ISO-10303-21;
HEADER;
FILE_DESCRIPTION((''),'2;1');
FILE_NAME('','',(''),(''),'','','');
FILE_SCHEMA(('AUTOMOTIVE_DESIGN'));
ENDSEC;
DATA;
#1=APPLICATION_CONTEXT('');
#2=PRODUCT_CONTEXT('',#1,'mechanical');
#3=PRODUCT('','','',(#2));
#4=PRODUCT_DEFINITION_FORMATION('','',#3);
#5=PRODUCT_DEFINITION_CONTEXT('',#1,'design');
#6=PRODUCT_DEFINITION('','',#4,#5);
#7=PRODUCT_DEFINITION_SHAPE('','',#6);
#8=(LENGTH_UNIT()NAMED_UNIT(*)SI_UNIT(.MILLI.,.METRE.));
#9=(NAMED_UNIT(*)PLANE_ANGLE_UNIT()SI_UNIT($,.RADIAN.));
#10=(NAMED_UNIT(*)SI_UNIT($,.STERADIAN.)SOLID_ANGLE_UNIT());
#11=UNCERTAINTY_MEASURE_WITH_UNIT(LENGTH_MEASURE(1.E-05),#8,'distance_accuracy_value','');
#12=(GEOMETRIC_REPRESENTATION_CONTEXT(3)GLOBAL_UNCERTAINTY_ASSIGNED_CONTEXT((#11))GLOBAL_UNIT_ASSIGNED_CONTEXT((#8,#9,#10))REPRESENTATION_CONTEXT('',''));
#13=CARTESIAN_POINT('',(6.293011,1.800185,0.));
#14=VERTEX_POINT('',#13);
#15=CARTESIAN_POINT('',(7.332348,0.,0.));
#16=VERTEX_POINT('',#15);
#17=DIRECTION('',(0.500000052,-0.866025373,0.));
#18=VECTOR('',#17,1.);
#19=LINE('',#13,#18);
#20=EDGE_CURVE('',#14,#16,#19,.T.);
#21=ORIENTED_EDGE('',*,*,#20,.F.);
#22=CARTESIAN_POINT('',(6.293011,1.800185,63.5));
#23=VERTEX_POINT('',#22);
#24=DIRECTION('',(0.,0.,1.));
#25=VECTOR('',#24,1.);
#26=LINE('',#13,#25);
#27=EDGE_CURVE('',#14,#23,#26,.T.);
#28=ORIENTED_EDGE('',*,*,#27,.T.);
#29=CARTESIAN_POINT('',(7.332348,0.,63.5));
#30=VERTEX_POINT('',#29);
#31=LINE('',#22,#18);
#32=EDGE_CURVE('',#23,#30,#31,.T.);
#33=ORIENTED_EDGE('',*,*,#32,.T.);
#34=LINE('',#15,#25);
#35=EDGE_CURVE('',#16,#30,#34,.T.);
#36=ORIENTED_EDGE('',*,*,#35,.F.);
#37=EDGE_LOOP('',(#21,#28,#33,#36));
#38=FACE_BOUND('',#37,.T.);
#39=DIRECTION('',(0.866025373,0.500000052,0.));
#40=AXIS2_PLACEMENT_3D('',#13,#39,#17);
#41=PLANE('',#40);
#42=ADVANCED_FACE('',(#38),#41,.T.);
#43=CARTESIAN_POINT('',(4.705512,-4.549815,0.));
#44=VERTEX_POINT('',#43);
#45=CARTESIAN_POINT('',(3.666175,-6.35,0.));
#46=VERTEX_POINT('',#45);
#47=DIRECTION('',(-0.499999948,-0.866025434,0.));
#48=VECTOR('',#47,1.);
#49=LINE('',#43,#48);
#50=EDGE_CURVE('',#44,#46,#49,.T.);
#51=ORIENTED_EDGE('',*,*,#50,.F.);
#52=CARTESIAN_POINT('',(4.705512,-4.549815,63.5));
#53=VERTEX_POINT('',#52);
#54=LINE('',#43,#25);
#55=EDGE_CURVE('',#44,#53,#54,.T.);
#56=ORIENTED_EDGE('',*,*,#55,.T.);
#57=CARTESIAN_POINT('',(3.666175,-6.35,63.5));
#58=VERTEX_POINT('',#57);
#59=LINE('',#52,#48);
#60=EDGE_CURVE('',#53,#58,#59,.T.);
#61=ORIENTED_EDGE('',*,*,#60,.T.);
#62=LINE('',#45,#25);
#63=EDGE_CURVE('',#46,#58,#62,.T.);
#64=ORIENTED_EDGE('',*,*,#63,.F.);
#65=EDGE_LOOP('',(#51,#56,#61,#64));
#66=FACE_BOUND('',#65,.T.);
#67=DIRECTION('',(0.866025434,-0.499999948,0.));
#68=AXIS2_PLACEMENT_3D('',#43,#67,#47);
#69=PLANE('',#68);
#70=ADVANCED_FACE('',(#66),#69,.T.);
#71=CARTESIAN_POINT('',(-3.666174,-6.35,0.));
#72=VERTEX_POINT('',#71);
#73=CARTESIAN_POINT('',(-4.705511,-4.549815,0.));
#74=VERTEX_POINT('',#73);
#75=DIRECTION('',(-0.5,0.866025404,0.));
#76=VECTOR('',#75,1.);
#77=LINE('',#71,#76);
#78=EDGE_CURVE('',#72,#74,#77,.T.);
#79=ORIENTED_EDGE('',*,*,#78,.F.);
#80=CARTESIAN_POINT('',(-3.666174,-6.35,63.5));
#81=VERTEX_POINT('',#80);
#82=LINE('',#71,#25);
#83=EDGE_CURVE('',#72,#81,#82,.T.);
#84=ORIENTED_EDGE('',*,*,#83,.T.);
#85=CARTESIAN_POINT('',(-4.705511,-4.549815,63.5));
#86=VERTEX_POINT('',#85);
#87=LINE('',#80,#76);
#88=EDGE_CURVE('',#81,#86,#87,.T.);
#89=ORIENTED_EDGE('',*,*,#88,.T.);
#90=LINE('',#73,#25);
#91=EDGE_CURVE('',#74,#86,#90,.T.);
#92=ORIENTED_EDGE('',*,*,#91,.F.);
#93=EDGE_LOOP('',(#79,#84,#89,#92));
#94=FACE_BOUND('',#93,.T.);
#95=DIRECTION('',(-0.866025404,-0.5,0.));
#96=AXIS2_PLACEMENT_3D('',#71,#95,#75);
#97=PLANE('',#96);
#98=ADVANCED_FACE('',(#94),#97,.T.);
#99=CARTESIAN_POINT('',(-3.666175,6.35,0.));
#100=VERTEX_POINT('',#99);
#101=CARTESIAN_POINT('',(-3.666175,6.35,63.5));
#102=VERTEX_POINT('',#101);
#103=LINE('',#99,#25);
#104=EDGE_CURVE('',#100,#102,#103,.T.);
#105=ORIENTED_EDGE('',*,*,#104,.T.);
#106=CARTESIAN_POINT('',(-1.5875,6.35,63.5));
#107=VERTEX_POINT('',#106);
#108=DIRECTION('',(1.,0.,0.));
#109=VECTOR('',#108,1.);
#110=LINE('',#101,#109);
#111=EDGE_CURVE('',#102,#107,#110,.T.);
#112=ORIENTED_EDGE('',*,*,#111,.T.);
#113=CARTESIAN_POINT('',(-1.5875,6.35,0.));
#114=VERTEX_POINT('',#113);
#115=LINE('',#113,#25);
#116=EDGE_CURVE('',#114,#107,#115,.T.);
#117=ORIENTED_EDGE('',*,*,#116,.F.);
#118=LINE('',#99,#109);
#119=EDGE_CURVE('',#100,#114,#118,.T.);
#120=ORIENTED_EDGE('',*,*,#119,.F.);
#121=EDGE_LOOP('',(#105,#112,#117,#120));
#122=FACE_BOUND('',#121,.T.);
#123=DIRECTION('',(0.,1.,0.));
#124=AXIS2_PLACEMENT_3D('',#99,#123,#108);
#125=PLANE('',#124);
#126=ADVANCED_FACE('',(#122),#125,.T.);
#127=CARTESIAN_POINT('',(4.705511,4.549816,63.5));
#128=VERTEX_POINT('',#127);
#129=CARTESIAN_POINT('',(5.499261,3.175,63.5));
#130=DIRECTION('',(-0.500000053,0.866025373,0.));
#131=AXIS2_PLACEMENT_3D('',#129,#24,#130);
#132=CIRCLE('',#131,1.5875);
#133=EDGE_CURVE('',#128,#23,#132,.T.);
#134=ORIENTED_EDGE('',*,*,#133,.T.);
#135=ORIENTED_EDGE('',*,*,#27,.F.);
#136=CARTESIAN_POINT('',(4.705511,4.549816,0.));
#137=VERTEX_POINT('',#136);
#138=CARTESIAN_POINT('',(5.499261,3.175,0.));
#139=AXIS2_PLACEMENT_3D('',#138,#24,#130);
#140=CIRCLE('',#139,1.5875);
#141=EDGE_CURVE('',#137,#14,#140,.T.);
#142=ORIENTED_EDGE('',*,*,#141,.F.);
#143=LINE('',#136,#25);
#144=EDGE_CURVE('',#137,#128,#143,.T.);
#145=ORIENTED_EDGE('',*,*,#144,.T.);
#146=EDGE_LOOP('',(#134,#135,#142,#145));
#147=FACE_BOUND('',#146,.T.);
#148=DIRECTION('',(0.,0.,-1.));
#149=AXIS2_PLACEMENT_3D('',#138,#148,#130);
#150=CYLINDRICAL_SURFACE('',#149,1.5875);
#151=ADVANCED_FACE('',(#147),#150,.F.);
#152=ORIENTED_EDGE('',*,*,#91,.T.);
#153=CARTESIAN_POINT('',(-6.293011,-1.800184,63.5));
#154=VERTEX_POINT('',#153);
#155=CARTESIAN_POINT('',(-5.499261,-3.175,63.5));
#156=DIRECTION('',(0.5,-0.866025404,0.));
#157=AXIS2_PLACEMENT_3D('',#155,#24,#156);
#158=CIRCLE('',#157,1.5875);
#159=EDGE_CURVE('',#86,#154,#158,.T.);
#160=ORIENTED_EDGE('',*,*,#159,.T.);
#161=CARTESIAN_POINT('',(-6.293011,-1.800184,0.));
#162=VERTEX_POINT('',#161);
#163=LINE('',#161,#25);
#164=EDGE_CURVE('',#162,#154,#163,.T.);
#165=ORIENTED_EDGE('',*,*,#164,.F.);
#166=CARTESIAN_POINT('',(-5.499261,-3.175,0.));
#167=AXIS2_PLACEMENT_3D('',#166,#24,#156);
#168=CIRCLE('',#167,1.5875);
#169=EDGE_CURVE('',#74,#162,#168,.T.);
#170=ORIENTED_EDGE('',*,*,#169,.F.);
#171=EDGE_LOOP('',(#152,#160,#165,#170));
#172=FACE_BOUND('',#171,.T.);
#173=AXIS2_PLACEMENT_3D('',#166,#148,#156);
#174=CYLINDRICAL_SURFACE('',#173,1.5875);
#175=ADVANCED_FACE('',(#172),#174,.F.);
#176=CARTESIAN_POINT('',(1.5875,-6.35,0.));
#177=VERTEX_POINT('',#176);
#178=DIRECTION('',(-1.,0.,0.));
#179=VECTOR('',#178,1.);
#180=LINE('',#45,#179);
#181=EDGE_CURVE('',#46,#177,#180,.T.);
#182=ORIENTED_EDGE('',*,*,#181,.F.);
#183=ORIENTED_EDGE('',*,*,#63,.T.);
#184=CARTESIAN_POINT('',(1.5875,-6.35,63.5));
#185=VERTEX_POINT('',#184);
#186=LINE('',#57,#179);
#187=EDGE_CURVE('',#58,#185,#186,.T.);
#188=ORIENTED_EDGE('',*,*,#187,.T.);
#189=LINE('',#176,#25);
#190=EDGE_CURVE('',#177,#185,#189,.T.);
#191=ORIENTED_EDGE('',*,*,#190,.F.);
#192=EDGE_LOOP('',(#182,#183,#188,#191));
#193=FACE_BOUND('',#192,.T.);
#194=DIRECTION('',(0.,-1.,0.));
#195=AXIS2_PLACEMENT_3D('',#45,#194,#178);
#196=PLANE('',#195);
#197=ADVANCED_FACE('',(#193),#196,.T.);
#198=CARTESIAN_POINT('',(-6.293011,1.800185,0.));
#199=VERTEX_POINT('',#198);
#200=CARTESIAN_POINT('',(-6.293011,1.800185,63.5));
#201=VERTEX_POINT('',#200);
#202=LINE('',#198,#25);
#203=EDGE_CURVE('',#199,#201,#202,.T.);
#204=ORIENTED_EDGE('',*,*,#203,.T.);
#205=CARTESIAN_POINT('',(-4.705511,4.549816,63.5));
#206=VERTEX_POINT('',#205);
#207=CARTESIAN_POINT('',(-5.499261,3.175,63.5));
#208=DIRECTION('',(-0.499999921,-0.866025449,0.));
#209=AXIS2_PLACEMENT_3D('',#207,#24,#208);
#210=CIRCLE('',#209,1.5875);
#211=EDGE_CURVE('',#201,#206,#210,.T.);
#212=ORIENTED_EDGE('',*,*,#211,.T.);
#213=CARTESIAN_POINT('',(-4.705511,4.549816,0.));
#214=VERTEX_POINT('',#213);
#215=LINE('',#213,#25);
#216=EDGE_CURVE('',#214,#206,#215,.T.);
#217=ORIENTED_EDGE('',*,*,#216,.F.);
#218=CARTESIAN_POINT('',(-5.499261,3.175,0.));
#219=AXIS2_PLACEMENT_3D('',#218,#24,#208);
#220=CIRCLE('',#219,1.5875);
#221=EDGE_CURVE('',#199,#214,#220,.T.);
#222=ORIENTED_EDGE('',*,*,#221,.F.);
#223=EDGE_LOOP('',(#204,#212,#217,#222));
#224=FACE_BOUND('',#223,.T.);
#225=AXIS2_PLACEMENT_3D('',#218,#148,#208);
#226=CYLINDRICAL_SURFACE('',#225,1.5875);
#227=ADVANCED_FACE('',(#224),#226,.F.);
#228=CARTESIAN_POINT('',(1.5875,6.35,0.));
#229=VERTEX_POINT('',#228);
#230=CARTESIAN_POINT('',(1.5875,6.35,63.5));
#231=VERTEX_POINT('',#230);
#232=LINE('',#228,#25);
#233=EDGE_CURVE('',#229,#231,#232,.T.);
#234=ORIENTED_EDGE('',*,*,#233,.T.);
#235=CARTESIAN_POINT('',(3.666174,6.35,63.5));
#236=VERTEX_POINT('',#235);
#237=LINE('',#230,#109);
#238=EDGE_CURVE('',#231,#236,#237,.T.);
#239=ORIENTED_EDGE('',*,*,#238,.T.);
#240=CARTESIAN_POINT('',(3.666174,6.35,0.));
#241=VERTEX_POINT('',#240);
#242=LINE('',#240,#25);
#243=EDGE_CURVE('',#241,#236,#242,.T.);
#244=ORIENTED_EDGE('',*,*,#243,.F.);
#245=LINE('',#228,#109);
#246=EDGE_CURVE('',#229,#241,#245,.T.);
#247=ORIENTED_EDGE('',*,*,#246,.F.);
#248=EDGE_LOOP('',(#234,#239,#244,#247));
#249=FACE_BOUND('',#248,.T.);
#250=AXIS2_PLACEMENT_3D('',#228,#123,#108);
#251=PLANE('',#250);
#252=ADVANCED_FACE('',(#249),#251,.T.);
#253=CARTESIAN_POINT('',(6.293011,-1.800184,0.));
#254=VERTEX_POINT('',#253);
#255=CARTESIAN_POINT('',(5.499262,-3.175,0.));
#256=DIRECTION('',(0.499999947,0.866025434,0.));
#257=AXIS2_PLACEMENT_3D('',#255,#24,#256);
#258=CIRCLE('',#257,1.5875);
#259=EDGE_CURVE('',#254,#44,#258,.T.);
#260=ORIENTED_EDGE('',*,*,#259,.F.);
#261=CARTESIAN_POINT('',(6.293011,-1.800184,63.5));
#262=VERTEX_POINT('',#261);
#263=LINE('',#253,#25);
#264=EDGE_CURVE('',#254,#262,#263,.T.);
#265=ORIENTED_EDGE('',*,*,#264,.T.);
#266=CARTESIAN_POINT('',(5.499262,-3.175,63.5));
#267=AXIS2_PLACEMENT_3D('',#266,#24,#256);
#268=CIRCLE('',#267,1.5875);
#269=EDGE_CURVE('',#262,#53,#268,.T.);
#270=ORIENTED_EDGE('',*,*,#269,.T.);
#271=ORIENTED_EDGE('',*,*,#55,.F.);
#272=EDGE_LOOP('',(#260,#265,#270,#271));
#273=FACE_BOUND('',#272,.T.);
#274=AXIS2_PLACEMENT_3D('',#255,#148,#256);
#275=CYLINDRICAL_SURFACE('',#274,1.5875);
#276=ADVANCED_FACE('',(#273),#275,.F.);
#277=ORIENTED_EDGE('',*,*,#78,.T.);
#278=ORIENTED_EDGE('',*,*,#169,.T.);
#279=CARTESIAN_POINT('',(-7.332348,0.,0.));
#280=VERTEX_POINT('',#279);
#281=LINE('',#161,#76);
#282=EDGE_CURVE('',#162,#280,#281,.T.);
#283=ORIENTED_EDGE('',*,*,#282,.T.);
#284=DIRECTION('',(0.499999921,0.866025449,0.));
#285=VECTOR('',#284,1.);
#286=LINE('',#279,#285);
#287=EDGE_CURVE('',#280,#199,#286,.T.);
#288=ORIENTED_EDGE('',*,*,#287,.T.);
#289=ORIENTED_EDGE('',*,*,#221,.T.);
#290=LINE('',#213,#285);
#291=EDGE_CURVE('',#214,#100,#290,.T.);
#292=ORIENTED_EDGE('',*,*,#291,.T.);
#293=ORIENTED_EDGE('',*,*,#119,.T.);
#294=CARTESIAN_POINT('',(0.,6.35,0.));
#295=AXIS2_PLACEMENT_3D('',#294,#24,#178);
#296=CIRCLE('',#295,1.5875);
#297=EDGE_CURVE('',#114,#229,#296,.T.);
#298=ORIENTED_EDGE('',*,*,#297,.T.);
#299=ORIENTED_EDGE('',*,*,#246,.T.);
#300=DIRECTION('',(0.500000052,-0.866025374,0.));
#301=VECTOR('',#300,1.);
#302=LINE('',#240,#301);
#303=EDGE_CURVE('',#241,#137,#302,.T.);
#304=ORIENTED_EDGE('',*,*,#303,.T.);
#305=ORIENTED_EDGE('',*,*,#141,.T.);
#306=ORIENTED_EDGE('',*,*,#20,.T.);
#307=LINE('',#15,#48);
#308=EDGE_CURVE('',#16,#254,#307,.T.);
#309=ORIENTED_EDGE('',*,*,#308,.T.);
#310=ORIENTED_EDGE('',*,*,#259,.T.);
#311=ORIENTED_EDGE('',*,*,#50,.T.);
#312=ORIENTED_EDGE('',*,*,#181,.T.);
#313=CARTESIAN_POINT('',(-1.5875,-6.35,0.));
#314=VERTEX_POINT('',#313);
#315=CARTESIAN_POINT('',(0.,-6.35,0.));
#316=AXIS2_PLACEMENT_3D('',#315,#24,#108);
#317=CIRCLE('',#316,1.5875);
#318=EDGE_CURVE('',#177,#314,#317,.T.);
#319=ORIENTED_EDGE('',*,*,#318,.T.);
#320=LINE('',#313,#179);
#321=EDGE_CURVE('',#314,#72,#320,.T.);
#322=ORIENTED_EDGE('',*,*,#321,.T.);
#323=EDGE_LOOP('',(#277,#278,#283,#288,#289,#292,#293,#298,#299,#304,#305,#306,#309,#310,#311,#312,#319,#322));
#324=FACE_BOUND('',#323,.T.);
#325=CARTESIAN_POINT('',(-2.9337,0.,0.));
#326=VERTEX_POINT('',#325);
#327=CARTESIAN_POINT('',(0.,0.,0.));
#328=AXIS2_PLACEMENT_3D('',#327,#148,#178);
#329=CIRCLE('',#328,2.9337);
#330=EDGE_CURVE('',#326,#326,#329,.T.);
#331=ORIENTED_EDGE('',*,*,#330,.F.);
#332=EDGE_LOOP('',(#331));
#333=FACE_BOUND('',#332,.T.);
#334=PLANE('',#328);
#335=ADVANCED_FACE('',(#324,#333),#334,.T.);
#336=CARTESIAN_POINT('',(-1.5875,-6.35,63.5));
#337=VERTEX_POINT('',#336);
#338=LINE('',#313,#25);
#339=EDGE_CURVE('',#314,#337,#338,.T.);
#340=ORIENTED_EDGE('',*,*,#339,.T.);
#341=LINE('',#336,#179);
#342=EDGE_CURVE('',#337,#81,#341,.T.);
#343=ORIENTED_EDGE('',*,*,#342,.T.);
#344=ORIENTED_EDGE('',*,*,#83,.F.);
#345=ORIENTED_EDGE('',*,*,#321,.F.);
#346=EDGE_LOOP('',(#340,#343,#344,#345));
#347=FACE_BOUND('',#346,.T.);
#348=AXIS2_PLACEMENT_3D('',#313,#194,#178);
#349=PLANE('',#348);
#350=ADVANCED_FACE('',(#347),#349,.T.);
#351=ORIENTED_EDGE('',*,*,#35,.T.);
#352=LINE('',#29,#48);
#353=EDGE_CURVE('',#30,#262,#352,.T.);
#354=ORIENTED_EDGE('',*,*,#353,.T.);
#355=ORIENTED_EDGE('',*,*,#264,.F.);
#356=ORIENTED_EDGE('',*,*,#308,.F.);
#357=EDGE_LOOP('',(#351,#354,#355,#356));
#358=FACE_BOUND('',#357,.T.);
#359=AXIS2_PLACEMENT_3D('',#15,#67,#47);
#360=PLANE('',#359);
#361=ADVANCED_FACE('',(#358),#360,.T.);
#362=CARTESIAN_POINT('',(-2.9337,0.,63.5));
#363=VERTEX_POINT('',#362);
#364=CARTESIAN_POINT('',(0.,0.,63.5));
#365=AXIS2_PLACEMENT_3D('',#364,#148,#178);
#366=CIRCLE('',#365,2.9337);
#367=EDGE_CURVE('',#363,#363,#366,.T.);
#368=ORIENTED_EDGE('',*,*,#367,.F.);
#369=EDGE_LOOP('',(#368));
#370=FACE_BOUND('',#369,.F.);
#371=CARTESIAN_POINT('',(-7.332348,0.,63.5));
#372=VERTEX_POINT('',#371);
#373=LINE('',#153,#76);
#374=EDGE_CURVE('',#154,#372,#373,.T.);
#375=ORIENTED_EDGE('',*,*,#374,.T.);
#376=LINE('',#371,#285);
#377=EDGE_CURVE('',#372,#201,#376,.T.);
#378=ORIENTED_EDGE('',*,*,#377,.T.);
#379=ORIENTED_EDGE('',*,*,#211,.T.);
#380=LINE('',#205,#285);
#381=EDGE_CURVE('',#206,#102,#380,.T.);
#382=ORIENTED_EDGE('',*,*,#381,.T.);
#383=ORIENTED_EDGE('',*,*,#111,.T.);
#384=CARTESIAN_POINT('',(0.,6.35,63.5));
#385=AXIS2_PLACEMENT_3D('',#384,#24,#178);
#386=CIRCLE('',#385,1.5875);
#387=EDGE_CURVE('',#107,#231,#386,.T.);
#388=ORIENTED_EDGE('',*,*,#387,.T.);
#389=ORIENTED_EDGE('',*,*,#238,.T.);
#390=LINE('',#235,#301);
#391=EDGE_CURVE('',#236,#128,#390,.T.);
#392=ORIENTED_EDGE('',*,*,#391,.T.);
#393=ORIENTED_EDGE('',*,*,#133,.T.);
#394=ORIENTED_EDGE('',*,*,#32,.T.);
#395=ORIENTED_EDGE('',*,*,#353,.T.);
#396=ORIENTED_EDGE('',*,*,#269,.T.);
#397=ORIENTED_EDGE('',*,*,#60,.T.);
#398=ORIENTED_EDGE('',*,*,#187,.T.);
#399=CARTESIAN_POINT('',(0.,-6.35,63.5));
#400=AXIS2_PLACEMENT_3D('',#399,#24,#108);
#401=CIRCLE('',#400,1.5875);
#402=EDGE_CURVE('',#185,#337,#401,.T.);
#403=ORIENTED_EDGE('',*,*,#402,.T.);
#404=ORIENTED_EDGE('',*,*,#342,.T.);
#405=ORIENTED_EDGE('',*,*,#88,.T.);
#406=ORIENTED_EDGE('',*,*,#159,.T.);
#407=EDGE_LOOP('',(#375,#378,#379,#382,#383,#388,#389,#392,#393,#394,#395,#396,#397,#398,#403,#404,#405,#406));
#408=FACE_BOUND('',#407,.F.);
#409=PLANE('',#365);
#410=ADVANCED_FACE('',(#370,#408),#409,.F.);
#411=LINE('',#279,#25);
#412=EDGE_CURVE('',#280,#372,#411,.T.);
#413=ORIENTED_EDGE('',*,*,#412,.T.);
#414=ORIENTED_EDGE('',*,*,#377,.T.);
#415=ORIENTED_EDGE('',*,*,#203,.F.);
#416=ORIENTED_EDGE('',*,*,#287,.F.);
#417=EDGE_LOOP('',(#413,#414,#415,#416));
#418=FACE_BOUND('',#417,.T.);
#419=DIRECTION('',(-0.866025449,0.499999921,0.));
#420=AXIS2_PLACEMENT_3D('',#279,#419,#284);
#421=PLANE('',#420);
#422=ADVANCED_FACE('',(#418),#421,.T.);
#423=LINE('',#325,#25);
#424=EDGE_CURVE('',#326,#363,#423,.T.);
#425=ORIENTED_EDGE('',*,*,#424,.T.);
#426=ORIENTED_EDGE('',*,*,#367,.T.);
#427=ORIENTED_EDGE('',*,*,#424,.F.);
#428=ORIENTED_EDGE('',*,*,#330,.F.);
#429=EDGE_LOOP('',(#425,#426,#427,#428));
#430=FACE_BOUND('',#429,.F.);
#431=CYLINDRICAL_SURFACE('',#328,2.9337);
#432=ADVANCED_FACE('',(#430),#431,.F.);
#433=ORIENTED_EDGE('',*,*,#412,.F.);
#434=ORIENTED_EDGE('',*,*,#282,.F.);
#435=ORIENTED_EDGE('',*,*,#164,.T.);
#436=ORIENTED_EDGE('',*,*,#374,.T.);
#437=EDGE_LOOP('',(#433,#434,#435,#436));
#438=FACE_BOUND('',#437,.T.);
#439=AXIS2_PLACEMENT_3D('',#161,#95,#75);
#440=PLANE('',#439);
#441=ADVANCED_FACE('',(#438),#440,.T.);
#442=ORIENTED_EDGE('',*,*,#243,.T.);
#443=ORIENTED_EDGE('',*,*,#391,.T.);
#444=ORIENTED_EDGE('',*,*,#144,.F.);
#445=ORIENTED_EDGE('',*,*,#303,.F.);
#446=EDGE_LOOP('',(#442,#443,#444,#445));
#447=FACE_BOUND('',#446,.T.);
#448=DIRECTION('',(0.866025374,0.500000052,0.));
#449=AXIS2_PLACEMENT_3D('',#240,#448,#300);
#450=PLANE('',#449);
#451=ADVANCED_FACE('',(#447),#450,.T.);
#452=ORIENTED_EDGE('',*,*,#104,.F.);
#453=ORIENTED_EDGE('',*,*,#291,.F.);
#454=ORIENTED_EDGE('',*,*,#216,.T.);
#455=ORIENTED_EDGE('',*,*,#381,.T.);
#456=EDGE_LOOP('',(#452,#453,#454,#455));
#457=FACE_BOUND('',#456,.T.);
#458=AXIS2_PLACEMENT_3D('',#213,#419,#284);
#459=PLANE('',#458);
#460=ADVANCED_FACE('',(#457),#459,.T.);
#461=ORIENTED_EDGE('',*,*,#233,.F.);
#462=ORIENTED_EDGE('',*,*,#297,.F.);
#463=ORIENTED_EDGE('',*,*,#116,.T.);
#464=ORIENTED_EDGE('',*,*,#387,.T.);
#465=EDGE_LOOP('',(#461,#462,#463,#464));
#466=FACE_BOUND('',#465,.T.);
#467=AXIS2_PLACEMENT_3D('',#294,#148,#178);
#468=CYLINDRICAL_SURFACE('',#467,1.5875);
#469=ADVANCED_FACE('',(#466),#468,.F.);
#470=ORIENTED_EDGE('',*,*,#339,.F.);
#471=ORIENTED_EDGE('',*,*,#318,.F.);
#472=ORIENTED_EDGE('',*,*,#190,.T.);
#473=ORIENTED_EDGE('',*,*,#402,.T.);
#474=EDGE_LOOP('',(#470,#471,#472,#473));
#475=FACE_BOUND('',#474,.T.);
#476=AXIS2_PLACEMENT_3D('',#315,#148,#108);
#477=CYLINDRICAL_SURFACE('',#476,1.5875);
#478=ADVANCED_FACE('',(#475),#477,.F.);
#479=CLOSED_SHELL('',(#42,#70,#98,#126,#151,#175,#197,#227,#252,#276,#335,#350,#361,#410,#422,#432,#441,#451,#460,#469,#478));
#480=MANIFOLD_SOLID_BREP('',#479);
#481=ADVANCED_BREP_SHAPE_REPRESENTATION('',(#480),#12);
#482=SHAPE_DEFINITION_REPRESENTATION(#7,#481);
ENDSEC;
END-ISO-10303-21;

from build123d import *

# Parameters (mm, degrees)
SKETCH1_R           = 2.9337
BOSS_EXTRUDE1_DEPTH = 63.5


with BuildPart() as part:
    # Sketch1 → Boss-Extrude1 (new body)
    with BuildSketch(Plane(origin=(0, 0, 0), x_dir=(-1, 0, 0), z_dir=(0, 0, -1))):
        with BuildLine():
            Line((-7.332348419, 4.44e-07), (-6.293011423, -1.80018429))
            ThreePointArc((-6.293011423, -1.80018429), (-4.12444613, -2.38124975), (-4.70551159, -4.549815043))
            Line((-4.70551159, -4.549815043), (-3.666174594, -6.349999778))
            Line((-3.666174594, -6.349999778), (-1.587500385, -6.349999778))
            ThreePointArc((-1.587500385, -6.349999778), (-3.85e-07, -4.762499778), (1.587499615, -6.349999778))
            Line((1.587499615, -6.349999778), (3.666173825, -6.349999778))
            Line((3.666173825, -6.349999778), (4.705510929, -4.549815106))
            ThreePointArc((4.705510929, -4.549815106), (4.124445601, -2.381249778), (6.293010929, -1.800184449))
            Line((6.293010929, -1.800184449), (7.332348034, 2.22e-07))
            Line((7.332348034, 2.22e-07), (6.293011189, 1.800184821))
            ThreePointArc((6.293011189, 1.800184821), (4.124445913, 2.381250347), (4.705511439, 4.549815623))
            Line((4.705511439, 4.549815623), (3.666174594, 6.350000222))
            Line((3.666174594, 6.350000222), (1.587500385, 6.350000222))
            ThreePointArc((1.587500385, 6.350000222), (3.85e-07, 4.762500222), (-1.587499615, 6.350000222))
            Line((-1.587499615, 6.350000222), (-3.666173825, 6.350000222))
            Line((-3.666173825, 6.350000222), (-4.705511038, 4.549815614))
            ThreePointArc((-4.705511038, 4.549815614), (-4.124445841, 2.38125025), (-6.293011205, 1.800185053))
            Line((-6.293011205, 1.800185053), (-7.332348419, 4.44e-07))
        make_face()
        Circle(SKETCH1_R, mode=Mode.SUBTRACT)
    extrude(amount=-BOSS_EXTRUDE1_DEPTH)


solid = part.part
